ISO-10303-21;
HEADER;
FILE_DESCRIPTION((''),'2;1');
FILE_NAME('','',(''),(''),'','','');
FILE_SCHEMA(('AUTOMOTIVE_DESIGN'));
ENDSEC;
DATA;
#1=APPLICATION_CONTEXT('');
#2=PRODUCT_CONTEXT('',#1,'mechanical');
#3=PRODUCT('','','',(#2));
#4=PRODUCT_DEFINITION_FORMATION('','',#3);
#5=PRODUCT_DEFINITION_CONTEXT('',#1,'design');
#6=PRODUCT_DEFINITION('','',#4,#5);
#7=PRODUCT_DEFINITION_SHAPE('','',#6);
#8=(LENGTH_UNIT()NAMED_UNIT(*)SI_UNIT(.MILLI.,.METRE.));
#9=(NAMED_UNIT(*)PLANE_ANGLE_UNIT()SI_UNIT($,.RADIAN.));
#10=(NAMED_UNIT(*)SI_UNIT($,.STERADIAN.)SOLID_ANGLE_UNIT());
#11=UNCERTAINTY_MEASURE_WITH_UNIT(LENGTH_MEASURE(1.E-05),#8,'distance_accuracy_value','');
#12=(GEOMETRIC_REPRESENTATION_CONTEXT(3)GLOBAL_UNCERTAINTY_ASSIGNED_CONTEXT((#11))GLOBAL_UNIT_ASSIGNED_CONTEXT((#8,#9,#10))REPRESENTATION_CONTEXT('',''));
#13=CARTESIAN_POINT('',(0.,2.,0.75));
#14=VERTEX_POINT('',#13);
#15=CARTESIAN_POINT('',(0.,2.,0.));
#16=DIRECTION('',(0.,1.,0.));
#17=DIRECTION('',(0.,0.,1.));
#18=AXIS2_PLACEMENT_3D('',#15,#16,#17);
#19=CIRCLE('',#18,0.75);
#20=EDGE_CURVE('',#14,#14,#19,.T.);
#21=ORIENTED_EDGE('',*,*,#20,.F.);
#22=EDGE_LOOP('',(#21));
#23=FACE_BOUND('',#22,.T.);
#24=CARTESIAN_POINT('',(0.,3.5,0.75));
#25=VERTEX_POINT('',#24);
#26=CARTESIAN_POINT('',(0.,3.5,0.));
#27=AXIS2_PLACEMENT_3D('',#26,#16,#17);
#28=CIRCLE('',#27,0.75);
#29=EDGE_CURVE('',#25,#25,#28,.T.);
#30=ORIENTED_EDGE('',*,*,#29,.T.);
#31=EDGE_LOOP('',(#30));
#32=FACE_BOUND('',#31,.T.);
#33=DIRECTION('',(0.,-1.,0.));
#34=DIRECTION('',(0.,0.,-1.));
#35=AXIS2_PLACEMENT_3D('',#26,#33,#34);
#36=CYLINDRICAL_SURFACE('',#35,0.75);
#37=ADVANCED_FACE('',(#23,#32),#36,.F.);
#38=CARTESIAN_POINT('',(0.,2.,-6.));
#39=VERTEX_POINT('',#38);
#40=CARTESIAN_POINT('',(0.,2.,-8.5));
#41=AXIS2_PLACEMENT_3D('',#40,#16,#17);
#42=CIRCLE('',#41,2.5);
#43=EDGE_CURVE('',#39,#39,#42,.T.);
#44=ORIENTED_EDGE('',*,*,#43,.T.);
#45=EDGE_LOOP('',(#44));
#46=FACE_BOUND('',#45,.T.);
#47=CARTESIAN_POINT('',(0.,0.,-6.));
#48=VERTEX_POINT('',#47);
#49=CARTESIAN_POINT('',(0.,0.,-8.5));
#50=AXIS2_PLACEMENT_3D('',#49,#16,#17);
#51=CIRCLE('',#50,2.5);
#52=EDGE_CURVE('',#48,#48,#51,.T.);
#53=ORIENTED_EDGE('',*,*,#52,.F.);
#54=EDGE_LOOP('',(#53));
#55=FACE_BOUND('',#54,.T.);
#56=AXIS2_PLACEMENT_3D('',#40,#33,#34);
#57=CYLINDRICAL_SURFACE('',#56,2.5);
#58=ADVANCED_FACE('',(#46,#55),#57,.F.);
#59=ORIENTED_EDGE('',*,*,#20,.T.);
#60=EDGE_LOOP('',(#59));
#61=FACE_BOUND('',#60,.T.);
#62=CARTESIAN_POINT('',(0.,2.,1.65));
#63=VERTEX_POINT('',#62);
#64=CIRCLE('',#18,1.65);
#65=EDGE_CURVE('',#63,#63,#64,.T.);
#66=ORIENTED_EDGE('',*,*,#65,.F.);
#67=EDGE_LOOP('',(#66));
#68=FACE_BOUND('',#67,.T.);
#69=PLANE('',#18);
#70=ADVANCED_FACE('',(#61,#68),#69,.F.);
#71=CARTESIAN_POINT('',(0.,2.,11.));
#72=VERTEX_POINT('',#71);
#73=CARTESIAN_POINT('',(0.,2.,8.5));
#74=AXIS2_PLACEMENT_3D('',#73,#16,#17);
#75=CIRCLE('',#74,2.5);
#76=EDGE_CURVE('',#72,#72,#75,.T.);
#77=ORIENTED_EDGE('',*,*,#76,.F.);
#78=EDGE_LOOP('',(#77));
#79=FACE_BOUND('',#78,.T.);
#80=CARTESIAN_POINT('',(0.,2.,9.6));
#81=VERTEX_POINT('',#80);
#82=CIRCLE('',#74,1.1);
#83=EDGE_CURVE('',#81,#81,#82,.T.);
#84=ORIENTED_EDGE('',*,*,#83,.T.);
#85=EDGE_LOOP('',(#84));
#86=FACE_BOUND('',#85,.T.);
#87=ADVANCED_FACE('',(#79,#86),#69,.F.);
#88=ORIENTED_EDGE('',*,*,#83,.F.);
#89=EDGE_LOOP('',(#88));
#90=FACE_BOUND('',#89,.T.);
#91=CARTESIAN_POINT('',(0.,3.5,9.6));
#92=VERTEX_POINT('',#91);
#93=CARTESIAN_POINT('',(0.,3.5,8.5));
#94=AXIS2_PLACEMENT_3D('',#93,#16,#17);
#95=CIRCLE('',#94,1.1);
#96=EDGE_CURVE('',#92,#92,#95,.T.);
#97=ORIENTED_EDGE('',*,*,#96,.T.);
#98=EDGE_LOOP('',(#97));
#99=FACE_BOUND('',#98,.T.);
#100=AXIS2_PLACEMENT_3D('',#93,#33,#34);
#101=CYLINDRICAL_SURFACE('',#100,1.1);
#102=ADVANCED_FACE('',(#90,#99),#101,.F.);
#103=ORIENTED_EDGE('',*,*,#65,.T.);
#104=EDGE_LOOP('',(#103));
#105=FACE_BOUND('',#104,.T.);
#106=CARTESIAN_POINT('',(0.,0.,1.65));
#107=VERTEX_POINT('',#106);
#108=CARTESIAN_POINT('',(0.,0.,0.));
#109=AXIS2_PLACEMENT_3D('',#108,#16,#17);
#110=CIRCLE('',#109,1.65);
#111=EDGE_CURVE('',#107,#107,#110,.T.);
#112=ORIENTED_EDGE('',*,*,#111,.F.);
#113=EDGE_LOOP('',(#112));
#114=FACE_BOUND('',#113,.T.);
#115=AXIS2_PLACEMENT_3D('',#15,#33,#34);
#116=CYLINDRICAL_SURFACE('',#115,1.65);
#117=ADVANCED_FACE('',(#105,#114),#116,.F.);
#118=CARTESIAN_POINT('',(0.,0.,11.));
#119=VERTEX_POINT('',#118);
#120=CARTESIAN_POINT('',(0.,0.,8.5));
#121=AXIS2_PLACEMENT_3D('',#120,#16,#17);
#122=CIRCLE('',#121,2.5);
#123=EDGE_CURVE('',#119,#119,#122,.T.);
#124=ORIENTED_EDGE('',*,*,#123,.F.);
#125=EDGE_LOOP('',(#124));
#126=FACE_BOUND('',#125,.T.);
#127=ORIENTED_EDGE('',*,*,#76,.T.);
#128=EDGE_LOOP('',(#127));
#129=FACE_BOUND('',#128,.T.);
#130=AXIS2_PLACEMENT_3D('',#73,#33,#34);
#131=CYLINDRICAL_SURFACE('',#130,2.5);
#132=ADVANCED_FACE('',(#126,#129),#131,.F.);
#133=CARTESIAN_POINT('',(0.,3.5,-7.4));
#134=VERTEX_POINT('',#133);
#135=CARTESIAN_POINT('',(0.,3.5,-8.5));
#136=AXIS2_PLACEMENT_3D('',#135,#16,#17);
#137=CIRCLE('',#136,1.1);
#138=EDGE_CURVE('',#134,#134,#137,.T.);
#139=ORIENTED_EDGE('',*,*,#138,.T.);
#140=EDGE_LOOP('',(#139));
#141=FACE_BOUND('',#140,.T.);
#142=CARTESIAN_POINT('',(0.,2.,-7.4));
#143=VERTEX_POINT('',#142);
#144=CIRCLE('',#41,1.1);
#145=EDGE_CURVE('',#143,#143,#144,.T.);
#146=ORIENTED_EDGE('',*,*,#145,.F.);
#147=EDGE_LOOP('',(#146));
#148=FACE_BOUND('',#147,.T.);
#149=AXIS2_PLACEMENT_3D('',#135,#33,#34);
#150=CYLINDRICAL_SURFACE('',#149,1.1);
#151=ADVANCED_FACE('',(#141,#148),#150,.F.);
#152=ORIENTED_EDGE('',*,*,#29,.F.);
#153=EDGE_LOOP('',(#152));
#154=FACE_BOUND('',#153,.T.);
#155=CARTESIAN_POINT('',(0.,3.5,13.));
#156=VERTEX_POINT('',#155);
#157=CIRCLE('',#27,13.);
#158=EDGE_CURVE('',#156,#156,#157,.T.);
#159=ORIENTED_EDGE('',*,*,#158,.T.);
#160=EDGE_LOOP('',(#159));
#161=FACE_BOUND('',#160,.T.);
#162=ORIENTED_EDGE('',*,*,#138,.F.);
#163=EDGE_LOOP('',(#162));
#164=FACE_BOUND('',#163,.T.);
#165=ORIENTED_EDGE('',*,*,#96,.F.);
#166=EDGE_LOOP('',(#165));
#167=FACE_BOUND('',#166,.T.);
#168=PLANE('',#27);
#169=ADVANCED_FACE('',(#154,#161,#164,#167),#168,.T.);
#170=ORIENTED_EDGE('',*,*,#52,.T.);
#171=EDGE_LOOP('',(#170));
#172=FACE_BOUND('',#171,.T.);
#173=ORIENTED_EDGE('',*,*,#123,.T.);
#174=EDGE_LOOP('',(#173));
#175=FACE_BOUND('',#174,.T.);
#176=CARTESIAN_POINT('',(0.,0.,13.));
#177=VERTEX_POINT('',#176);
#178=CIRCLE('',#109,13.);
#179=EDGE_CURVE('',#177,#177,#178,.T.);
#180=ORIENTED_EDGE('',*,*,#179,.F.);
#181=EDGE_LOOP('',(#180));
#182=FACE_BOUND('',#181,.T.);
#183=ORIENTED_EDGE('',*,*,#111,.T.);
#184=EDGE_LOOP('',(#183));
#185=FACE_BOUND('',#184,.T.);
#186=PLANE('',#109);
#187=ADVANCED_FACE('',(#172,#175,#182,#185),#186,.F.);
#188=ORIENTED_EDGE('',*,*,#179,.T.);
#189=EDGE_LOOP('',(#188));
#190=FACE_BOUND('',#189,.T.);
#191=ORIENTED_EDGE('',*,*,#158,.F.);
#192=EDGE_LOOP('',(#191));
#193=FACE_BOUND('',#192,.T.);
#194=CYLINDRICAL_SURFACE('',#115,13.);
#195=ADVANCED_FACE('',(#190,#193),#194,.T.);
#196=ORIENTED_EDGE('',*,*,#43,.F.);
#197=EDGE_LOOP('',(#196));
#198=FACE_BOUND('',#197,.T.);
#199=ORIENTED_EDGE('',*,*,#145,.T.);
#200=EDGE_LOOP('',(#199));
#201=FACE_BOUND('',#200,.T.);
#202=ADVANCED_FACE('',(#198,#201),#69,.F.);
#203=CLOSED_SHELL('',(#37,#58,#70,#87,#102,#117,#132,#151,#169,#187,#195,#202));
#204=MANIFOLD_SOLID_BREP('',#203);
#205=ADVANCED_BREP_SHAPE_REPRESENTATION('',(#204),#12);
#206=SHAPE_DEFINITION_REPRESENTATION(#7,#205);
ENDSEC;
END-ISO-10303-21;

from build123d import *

# Parameters (mm, degrees)
SKETCH1_R           = 13
SKETCH1_R_2         = 1.65
SKETCH1_R_3         = 2.5
BOSS_EXTRUDE1_DEPTH = 2
SKETCH2_R           = 13
SKETCH2_R_2         = 0.75
SKETCH2_R_3         = 1.1
BOSS_EXTRUDE2_DEPTH = 1.5


with BuildPart() as part:
    # Sketch1 → Boss-Extrude1 (new body)
    with BuildSketch(Plane(origin=(0, 0, 0), x_dir=(1, 0, 0), z_dir=(0, 1, 0))):
        with Locations(Location((0, 0, 0), (0, 0, 270))):
            Circle(SKETCH1_R)
        with Locations(Location((0, 0, 0), (0, 0, 270))):
            Circle(SKETCH1_R_2, mode=Mode.SUBTRACT)
        with Locations(Location((0, 8.5, 0), (0, 0, 270))):
            Circle(SKETCH1_R_3, mode=Mode.SUBTRACT)
        with Locations(Location((0, -8.5, 0), (0, 0, 270))):
            Circle(SKETCH1_R_3, mode=Mode.SUBTRACT)
    extrude(amount=BOSS_EXTRUDE1_DEPTH)

    # Sketch2 → Boss-Extrude2 (add)
    with BuildSketch(Plane(origin=(0, 2, 0), x_dir=(1, 0, 0), z_dir=(0, 1, 0))):
        with Locations(Location((0, 0, 0), (0, 0, 270))):
            Circle(SKETCH2_R)
        with Locations(Location((0, 0, 0), (0, 0, 270))):
            Circle(SKETCH2_R_2, mode=Mode.SUBTRACT)
        with Locations(Location((0, 8.5, 0), (0, 0, 270))):
            Circle(SKETCH2_R_3, mode=Mode.SUBTRACT)
        with Locations(Location((0, -8.5, 0), (0, 0, 270))):
            Circle(SKETCH2_R_3, mode=Mode.SUBTRACT)
    extrude(amount=BOSS_EXTRUDE2_DEPTH)


solid = part.part
